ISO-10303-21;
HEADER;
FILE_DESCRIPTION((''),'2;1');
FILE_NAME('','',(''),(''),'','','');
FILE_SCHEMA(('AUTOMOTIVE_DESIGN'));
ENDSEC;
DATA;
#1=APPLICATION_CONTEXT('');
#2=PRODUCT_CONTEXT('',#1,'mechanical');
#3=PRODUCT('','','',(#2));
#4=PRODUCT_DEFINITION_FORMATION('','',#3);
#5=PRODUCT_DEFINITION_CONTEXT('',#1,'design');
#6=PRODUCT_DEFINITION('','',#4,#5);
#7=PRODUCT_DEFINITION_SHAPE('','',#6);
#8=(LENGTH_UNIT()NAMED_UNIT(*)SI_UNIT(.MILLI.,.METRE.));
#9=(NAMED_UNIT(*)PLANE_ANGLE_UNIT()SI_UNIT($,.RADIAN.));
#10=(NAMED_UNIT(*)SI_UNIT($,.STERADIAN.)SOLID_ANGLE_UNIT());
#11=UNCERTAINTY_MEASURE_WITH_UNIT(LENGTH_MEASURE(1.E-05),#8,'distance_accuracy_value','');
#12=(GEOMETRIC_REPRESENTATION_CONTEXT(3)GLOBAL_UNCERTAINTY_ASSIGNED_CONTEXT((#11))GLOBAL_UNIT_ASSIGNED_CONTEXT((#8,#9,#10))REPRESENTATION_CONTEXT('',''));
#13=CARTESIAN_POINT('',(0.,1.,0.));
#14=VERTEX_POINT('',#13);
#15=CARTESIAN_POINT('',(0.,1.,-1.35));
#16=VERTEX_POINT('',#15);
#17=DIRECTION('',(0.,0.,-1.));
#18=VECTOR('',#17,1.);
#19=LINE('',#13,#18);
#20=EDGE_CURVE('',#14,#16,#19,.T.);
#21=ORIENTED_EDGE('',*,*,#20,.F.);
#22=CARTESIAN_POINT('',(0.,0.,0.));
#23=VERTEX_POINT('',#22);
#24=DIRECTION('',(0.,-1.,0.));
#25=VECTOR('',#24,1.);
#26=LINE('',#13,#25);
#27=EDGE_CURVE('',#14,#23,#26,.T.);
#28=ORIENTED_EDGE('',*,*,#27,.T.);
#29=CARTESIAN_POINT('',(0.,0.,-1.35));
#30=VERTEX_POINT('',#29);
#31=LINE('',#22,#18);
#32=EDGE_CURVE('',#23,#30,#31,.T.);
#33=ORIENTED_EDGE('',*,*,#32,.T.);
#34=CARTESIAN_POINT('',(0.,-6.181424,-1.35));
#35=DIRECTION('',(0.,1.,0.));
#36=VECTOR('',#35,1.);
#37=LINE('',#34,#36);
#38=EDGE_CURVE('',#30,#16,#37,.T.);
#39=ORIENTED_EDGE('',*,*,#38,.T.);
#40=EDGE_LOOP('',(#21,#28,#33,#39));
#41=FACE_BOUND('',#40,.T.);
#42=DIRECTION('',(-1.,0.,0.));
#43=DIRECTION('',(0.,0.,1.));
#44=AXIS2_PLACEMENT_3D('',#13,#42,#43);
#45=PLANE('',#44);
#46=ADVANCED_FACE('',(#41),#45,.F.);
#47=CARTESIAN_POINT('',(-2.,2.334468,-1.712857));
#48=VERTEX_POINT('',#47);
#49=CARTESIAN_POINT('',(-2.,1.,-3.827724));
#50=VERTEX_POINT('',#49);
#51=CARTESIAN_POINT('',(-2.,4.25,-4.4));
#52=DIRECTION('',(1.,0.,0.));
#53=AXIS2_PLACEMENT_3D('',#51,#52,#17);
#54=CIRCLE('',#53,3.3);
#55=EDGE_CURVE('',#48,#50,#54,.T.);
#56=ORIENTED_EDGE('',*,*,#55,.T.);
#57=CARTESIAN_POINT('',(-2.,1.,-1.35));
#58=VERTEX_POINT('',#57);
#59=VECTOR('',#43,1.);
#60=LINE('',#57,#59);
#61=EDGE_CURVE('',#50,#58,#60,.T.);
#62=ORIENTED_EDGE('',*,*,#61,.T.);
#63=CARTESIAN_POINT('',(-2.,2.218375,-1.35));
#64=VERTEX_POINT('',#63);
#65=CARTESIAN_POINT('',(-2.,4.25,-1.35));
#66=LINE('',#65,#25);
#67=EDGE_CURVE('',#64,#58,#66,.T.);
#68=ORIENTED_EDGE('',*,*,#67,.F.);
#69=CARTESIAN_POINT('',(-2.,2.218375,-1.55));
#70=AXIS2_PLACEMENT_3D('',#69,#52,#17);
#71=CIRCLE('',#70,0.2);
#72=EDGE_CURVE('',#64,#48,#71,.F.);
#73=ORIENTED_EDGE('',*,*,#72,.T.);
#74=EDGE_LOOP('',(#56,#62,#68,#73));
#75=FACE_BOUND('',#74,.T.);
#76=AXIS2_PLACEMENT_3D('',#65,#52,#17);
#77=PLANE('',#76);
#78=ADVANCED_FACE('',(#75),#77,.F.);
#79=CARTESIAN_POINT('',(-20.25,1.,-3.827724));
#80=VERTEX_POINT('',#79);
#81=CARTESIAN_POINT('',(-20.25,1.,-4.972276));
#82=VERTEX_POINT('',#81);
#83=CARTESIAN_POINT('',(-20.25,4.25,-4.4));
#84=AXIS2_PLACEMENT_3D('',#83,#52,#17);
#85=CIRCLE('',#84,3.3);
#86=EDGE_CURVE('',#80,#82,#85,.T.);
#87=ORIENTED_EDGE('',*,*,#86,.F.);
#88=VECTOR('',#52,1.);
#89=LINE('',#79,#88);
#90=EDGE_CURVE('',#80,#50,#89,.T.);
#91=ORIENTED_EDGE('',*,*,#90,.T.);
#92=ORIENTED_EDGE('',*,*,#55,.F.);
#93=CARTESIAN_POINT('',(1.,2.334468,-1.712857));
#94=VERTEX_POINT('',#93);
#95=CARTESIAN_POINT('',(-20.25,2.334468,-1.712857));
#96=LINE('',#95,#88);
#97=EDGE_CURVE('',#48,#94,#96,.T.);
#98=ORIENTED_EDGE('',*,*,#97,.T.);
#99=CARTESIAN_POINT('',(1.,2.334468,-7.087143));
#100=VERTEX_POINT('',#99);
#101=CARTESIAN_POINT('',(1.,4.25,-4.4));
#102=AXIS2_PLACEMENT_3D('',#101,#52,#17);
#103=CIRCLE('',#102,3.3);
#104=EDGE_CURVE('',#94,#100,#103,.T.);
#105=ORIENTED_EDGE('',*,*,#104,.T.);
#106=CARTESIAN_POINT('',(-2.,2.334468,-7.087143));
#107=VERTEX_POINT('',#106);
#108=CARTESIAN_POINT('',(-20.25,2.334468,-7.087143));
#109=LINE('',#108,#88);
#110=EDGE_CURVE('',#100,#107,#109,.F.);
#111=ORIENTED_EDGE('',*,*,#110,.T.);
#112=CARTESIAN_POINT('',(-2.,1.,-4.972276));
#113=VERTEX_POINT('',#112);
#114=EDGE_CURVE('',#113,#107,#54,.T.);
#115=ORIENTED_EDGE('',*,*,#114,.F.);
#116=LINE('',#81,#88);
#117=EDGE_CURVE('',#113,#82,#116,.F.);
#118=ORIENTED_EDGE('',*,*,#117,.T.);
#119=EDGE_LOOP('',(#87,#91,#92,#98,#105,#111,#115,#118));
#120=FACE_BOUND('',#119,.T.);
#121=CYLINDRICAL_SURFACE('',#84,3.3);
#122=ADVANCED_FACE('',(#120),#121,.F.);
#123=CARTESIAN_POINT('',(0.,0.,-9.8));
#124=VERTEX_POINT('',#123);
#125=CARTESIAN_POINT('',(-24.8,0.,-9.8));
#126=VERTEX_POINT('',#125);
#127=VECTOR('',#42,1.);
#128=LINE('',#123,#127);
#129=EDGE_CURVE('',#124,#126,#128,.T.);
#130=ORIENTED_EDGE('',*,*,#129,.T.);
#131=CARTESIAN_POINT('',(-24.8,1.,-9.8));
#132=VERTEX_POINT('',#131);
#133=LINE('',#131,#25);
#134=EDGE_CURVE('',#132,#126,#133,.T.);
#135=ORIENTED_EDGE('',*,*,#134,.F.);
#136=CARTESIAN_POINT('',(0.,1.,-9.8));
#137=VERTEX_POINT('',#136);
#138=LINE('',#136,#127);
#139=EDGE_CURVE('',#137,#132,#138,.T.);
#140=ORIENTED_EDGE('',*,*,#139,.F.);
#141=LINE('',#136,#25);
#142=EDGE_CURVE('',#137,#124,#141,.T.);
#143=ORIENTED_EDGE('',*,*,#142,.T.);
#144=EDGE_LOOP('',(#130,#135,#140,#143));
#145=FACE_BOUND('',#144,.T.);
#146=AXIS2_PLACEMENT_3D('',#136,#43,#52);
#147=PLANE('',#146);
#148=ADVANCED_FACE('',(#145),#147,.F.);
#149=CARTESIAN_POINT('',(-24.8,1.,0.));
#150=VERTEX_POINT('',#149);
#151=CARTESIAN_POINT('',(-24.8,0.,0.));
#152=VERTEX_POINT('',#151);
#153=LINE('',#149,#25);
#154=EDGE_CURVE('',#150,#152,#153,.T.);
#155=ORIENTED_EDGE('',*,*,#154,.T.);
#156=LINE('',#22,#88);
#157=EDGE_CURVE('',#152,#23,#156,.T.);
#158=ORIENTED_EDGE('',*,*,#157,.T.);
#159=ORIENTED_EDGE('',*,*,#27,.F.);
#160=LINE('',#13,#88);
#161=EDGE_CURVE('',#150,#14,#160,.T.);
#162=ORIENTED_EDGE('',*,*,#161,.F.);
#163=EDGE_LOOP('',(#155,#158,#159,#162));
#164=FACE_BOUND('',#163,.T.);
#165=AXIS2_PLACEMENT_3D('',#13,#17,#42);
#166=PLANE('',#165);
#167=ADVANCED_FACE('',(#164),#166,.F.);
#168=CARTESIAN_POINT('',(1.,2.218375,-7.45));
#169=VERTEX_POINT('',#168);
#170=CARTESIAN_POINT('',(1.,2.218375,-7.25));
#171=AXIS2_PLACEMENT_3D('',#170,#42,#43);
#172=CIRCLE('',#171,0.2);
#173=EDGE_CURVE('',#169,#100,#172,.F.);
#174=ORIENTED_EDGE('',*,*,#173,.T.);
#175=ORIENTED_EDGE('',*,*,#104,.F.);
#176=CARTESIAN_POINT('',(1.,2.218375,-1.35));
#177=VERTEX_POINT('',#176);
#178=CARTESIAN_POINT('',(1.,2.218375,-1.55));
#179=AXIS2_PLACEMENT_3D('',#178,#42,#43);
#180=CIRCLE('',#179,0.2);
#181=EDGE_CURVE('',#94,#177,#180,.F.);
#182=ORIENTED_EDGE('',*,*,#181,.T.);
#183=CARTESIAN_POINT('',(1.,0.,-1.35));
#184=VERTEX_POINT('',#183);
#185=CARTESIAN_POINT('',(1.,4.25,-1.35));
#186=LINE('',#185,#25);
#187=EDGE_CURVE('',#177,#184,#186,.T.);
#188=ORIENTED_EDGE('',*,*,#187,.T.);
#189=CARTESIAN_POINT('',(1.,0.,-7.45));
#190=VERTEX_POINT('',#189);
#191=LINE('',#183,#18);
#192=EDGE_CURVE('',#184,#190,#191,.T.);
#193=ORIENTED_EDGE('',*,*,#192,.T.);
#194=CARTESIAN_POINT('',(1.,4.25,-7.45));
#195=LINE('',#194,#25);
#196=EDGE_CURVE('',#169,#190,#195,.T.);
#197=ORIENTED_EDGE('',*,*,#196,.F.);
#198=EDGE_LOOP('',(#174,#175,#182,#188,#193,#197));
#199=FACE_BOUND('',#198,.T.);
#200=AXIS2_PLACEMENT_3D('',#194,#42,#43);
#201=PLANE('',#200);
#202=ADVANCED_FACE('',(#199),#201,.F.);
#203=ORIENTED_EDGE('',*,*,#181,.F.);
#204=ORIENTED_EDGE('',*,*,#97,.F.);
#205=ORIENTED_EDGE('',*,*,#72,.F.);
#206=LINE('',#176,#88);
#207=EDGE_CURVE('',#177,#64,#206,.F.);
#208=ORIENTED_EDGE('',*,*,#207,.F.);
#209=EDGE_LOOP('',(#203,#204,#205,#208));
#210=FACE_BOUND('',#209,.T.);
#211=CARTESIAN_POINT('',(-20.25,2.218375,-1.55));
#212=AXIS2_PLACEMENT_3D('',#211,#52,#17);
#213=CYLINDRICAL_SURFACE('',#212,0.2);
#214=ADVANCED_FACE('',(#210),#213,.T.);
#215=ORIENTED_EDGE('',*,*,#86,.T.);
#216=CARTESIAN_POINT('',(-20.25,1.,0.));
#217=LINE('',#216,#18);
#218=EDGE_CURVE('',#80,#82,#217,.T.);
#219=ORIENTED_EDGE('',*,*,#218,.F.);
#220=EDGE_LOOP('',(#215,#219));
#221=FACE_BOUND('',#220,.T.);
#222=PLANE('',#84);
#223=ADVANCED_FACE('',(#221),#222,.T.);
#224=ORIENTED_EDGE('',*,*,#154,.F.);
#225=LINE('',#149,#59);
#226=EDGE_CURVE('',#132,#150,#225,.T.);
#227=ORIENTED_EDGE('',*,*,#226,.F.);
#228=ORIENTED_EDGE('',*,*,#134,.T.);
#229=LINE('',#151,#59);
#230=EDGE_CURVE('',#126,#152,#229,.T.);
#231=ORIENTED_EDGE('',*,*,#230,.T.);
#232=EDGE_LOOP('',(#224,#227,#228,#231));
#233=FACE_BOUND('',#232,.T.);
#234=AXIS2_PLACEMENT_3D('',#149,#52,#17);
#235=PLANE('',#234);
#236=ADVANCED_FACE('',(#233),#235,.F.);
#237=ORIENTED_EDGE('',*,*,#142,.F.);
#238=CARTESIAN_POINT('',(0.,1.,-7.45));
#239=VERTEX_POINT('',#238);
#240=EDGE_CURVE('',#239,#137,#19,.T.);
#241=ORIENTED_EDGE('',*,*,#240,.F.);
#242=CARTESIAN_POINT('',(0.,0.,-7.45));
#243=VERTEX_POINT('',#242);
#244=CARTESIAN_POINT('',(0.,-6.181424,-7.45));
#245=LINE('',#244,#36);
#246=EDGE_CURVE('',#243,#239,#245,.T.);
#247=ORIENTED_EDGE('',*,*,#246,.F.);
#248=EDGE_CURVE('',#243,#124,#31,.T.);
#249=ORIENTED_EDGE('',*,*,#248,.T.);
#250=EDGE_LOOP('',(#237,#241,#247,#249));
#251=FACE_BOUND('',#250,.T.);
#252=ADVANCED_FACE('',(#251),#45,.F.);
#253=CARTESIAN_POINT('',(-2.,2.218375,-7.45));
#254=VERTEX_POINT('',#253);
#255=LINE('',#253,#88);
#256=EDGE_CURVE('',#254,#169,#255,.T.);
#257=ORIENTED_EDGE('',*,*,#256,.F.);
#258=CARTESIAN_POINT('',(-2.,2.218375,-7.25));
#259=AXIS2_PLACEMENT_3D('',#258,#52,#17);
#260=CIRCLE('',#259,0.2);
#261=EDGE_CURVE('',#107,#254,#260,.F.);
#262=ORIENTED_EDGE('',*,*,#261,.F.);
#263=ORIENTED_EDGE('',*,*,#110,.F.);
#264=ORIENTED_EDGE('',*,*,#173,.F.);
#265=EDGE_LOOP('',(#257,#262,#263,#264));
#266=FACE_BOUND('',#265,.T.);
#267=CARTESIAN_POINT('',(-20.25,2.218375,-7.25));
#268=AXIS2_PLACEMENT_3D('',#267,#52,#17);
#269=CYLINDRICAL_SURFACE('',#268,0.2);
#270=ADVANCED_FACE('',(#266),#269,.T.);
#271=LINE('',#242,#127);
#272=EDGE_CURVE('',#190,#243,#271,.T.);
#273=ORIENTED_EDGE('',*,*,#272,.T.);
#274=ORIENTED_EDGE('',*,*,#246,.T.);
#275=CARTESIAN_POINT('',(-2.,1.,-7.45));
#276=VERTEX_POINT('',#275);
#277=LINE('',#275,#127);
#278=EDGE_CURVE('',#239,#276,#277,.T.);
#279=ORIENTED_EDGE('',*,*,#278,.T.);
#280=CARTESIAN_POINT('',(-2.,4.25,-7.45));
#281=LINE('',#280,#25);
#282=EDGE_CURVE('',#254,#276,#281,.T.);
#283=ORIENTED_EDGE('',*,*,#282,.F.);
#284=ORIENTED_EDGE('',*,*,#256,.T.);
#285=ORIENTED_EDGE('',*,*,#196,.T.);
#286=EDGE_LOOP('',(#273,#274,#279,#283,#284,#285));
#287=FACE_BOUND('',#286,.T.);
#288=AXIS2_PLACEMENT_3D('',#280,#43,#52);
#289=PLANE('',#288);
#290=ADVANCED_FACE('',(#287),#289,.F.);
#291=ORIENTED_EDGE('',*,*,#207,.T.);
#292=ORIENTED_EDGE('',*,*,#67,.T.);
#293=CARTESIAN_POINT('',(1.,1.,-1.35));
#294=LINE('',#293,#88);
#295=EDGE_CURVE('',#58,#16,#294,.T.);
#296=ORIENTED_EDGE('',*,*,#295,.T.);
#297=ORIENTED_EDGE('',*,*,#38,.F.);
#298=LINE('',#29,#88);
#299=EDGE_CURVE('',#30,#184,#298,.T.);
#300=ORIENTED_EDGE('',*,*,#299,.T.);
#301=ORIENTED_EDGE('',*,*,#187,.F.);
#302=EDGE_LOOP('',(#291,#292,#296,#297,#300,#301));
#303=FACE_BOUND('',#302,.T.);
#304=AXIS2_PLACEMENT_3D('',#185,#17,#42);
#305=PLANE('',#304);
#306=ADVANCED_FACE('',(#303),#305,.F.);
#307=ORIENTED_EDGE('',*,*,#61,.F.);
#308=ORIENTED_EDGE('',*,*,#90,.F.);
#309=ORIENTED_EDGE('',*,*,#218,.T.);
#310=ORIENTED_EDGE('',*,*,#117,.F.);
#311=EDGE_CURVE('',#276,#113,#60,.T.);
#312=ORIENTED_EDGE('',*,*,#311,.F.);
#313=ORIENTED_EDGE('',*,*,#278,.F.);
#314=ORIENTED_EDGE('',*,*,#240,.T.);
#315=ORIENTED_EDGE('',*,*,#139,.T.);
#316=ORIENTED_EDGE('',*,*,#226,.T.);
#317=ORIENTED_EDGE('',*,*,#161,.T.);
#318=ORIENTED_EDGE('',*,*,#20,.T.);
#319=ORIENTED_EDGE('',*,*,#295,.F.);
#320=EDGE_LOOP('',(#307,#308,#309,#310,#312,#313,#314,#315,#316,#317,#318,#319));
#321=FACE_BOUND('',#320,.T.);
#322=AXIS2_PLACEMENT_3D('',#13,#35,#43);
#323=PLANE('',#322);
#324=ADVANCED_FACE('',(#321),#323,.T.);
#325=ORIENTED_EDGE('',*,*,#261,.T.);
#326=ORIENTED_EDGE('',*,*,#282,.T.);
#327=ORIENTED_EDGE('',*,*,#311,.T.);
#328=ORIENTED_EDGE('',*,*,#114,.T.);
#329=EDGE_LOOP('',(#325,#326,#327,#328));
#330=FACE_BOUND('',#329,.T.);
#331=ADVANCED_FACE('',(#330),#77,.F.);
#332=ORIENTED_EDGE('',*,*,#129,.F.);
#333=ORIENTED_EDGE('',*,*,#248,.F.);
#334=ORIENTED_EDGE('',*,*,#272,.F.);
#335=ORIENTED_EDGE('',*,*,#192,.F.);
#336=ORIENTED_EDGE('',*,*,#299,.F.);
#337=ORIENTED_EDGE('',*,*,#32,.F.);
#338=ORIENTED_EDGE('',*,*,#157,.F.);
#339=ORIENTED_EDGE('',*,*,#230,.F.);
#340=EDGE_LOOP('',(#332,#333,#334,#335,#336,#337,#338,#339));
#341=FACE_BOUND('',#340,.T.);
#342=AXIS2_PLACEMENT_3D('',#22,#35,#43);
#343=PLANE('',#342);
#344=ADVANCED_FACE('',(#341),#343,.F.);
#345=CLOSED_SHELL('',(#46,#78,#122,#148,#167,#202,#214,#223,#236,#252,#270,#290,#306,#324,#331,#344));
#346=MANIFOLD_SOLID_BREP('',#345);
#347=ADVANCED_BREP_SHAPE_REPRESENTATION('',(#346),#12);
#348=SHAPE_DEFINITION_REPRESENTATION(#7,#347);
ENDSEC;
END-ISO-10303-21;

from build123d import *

# Parameters (mm, degrees)
SKETCH1_W           = 24.8
SKETCH1_H           = 9.8
BOSS_EXTRUDE1_DEPTH = 1
SKETCH2_W           = 3
SKETCH2_H           = 6.1
BOSS_EXTRUDE2_DEPTH = 3.25
SKETCH4_W           = 1
SKETCH4_H           = 6.1
BOSS_EXTRUDE3_DEPTH = 1
SKETCH3_R           = 3.3
CUT_EXTRUDE1_DEPTH  = 21.25
FILLET1_R           = 0.2


with BuildPart() as part:
    # Sketch1 → Boss-Extrude1 (new body)
    with BuildSketch(Plane(origin=(0, 0, 0), x_dir=(1, 0, 0), z_dir=(0, 1, 0))):
        with Locations((-12.4, 4.9)):
            Rectangle(SKETCH1_W, SKETCH1_H)
    extrude(amount=BOSS_EXTRUDE1_DEPTH)

    # Sketch2 → Boss-Extrude2 (add)
    with BuildSketch(Plane(origin=(0, 1, 0), x_dir=(1, 0, 0), z_dir=(0, 1, 0))):
        with Locations((-0.5, 4.4)):
            Rectangle(SKETCH2_W, SKETCH2_H)
    extrude(amount=BOSS_EXTRUDE2_DEPTH)

    # Sketch4 → Boss-Extrude3 (add)
    with BuildSketch(Plane.XZ.offset(-1)):
        with Locations((0.5, -4.4)):
            Rectangle(SKETCH4_W, SKETCH4_H)
    extrude(amount=BOSS_EXTRUDE3_DEPTH)

    # Sketch3 → Cut-Extrude1 (cut)
    with BuildSketch(Plane(origin=(1, 0, 0), x_dir=(0, 0, -1), z_dir=(1, 0, 0))):
        with Locations((4.4, 4.25)):
            Circle(SKETCH3_R)
    extrude(amount=-CUT_EXTRUDE1_DEPTH, mode=Mode.SUBTRACT)

    # Fillet1
    fillet1_edges = [part.edges().sort_by_distance(p)[0] for p in [
        (-0.5, 2.990039683, -1.35),
        (-0.5, 2.990039683, -7.45),
    ]]
    fillet(fillet1_edges, radius=FILLET1_R)


solid = part.part
